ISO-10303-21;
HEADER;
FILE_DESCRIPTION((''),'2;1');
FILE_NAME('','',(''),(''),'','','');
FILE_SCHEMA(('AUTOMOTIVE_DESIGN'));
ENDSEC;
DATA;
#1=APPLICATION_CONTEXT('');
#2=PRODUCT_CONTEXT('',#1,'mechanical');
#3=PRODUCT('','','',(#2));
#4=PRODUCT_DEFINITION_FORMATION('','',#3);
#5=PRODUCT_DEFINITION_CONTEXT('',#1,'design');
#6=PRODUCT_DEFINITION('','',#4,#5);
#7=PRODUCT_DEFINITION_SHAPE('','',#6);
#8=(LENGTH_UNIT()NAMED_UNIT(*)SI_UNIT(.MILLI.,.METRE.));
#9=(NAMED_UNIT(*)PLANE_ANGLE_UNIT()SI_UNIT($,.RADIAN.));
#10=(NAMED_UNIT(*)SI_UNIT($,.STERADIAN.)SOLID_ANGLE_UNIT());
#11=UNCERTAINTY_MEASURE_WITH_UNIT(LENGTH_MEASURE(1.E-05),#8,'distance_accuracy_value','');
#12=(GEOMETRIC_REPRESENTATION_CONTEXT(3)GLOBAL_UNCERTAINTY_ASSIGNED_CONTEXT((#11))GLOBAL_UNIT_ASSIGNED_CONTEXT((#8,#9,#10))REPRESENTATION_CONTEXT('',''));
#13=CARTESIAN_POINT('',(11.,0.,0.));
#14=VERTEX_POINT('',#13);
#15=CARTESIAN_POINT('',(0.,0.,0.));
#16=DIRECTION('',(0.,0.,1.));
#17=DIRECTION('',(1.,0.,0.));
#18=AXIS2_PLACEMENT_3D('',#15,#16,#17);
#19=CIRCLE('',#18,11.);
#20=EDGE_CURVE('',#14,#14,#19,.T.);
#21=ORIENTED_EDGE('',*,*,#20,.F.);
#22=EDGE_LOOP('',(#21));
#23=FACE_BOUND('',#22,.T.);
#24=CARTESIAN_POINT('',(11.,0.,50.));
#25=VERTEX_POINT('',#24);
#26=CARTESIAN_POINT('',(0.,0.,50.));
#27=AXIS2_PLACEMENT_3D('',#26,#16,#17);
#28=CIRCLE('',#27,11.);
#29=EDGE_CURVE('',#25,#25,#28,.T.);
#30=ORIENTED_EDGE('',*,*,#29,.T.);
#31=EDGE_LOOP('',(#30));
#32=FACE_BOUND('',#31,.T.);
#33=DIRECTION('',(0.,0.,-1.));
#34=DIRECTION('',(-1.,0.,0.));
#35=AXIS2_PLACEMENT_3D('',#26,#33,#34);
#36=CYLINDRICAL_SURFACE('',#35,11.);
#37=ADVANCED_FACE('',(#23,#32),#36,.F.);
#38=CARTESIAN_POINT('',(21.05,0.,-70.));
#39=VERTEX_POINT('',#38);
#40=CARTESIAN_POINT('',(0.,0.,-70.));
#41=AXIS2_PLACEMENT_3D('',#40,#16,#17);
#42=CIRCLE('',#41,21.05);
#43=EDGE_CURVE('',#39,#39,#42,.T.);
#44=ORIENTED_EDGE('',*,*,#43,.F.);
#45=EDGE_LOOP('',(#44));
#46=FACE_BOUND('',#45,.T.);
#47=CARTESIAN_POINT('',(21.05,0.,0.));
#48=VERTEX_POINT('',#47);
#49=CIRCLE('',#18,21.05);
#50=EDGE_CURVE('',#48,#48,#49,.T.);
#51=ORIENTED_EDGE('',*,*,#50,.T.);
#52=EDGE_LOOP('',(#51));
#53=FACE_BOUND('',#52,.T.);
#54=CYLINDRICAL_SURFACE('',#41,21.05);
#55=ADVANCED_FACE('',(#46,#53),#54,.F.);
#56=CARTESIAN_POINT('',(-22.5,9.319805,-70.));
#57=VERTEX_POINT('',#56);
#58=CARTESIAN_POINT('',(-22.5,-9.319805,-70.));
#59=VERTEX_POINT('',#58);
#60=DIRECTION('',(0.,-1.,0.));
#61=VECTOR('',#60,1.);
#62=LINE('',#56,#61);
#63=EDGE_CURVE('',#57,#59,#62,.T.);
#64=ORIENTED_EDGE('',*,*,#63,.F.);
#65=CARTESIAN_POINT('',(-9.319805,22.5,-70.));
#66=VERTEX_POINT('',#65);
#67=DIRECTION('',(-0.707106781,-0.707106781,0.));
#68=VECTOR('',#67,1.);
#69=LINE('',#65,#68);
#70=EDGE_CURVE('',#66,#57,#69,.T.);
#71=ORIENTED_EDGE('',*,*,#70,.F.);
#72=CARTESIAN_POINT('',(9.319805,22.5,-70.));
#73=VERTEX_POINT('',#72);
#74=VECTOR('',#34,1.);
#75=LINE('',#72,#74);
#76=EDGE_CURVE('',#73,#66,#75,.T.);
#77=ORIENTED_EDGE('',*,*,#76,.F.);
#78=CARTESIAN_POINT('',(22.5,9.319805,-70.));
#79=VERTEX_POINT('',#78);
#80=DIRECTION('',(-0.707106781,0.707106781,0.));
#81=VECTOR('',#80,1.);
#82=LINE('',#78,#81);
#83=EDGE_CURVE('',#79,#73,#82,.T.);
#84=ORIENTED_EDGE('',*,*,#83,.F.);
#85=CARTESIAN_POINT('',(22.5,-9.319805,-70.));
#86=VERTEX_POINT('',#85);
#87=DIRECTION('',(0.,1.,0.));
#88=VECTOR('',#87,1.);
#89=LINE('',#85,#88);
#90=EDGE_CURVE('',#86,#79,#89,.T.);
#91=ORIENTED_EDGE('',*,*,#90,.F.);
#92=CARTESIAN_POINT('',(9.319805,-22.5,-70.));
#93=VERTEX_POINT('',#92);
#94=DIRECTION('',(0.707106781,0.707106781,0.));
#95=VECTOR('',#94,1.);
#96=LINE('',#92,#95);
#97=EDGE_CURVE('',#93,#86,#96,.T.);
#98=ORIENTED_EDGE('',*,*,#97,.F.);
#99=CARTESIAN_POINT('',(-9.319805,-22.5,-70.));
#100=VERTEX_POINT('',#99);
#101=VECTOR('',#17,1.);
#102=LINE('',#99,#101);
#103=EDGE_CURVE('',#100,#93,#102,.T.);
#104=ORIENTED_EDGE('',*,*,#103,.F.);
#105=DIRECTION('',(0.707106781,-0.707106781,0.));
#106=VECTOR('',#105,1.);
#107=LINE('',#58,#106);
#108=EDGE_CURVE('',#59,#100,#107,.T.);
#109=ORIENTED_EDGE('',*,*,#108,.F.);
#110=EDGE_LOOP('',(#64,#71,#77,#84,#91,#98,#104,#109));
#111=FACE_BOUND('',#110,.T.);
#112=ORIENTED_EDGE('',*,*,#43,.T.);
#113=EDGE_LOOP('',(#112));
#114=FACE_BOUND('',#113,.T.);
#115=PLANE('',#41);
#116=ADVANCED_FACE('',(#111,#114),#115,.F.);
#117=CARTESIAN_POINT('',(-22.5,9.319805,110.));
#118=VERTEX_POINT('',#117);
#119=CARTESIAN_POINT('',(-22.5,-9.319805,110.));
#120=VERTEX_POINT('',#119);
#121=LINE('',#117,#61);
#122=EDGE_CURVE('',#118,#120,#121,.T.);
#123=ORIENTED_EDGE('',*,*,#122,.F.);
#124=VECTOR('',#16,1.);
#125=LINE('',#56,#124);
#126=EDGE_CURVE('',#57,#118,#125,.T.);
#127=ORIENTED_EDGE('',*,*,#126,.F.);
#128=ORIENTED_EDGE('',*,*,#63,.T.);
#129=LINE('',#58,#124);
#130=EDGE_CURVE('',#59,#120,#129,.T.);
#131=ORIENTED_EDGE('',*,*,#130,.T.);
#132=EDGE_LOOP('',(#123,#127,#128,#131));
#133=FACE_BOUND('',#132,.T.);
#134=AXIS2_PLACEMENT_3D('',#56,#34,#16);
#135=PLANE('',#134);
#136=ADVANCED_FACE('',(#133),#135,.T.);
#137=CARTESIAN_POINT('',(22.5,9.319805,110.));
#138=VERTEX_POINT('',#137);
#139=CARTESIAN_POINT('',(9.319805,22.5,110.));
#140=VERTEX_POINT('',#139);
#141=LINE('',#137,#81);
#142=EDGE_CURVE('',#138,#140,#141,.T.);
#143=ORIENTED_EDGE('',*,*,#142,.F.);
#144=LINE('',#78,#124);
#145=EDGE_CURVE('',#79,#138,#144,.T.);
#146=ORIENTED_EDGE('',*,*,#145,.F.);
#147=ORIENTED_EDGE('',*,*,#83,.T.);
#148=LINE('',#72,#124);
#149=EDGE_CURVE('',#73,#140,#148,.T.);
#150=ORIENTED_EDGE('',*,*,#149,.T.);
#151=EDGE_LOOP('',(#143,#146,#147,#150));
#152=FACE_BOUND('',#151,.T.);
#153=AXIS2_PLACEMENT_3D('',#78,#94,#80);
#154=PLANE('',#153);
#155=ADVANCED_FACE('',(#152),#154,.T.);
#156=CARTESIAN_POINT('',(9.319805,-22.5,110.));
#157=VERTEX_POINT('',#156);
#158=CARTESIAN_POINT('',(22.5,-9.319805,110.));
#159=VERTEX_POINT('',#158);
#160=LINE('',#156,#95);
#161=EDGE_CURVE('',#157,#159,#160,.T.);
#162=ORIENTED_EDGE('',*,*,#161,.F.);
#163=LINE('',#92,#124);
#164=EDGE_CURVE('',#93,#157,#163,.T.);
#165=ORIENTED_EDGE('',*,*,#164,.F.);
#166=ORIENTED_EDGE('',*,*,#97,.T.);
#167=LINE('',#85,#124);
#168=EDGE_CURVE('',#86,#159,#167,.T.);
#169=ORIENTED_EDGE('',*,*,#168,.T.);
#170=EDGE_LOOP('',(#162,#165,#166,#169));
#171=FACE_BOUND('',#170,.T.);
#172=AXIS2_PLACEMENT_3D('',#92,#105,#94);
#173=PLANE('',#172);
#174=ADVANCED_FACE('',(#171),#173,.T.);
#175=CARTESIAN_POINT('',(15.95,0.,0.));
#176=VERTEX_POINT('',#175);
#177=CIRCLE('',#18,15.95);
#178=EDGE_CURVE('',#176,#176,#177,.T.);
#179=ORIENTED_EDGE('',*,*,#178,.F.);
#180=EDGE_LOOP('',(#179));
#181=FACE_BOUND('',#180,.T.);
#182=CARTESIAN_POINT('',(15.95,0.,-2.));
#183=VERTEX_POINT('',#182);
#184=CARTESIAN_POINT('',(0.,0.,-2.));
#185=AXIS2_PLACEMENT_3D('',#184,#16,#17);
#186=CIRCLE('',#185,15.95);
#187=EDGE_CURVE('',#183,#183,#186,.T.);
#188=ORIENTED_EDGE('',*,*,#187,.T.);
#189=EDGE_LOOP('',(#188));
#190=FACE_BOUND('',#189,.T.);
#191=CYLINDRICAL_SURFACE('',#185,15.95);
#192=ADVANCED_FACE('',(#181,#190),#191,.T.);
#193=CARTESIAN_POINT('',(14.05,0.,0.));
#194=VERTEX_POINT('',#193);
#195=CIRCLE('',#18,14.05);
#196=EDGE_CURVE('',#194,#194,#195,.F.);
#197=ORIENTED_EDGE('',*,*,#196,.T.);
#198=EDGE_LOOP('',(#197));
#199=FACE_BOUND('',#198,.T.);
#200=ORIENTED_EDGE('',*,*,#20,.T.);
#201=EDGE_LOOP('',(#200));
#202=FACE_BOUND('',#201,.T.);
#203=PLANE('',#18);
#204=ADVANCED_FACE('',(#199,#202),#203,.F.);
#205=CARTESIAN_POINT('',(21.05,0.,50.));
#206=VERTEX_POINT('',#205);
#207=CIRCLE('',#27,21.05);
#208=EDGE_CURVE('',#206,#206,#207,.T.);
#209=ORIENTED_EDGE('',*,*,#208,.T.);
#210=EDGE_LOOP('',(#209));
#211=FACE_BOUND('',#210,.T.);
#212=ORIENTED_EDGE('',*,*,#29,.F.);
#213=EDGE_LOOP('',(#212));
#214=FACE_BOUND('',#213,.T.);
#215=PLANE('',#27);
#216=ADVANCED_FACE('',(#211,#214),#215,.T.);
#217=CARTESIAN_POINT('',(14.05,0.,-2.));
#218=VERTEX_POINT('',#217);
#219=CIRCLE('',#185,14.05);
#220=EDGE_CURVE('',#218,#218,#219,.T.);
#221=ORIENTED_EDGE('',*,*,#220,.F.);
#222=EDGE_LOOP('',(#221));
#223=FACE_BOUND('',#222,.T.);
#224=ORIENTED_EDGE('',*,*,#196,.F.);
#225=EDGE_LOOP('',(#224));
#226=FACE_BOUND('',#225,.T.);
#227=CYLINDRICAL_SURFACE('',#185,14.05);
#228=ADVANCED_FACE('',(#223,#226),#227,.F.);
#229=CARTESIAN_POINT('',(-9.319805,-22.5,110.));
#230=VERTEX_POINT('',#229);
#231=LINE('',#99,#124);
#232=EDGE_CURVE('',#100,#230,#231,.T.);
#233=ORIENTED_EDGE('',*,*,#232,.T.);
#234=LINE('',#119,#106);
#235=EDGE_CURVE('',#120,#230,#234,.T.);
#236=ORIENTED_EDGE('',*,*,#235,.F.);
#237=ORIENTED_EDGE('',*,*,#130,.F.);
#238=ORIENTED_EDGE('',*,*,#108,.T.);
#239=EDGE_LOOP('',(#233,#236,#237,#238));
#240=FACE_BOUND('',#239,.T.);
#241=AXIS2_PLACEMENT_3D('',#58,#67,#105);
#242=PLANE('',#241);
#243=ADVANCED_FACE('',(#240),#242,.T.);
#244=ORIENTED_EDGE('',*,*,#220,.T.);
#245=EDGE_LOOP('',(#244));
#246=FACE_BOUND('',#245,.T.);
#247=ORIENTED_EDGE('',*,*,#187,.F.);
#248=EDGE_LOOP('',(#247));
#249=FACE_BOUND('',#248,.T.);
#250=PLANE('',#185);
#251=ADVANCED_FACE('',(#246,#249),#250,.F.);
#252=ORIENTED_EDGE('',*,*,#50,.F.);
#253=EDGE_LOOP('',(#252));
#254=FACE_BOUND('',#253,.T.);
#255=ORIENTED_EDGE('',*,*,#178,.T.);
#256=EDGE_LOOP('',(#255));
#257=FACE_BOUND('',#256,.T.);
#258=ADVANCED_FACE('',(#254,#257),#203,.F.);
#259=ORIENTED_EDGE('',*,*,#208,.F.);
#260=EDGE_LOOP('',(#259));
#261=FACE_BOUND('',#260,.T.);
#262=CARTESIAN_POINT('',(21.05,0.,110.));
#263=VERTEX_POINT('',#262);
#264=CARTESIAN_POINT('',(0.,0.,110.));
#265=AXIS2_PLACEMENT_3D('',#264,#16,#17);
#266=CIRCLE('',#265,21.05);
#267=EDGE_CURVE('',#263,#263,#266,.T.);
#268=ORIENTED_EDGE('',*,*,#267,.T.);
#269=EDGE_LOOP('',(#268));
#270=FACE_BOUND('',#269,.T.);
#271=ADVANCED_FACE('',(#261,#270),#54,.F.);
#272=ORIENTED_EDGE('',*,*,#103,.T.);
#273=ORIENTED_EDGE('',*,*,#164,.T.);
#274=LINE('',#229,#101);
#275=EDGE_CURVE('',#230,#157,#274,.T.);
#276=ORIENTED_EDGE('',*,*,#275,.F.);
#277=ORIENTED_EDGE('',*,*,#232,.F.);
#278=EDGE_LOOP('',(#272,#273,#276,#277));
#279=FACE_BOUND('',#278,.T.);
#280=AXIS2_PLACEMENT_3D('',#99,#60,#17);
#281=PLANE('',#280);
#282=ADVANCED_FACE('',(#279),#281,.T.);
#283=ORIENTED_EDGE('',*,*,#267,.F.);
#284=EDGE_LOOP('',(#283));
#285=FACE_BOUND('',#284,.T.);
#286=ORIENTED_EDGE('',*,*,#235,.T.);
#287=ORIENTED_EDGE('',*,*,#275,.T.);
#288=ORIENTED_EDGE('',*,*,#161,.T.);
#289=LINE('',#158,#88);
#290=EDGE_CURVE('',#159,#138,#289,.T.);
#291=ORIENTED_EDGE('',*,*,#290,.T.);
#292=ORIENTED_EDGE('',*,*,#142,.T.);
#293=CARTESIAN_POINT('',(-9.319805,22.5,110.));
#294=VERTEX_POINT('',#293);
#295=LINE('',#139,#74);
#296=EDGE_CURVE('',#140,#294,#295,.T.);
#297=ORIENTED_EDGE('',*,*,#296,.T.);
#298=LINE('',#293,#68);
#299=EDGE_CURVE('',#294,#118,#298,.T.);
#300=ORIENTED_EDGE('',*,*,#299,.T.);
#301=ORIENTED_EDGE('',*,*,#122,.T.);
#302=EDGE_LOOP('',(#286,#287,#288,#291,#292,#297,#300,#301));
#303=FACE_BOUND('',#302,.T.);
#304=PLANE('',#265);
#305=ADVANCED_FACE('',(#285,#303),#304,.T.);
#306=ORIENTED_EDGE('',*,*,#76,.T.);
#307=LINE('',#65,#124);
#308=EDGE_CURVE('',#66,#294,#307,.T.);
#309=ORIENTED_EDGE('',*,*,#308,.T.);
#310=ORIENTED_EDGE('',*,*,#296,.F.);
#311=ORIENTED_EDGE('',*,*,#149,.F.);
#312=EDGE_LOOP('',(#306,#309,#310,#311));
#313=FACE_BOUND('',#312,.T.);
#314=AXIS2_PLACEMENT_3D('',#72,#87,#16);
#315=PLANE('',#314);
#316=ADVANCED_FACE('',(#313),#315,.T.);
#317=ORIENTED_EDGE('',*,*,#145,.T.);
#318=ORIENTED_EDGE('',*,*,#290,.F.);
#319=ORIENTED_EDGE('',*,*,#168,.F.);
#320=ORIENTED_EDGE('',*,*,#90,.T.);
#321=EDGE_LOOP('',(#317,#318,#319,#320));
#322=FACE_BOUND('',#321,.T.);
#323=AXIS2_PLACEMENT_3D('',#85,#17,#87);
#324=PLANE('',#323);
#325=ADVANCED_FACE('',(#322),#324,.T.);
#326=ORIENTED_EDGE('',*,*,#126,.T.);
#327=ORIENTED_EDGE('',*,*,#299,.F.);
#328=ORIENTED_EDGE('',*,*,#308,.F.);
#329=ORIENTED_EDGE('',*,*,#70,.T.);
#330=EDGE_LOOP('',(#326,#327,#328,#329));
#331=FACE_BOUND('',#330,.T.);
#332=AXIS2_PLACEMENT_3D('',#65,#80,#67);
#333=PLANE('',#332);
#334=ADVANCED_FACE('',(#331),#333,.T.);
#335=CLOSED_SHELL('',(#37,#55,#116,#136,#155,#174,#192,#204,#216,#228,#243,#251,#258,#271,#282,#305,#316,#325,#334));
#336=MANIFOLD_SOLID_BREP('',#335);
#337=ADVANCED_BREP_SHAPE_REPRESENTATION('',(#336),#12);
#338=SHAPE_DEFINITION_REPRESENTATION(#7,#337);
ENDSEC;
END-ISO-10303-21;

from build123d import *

# Parameters (mm, degrees)
SKETCH_1_R      = 15.95
SKETCH_1_R_2    = 14.05
EXTRUDE_1_DEPTH = 2
SKETCH_2_R      = 22.5
SKETCH_2_R_2    = 11
EXTRUDE_2_DEPTH = 50
SKETCH_3_R      = 21.05
EXTRUDE_3_DEPTH = 70
SKETCH_5_R      = 21.05
EXTRUDE_5_DEPTH = 40


with BuildPart() as part:
    # 스케치1 → 보스-돌출1 (new body)
    with BuildSketch(Plane.XY):
        Circle(SKETCH_1_R)
        Circle(SKETCH_1_R_2, mode=Mode.SUBTRACT)
    extrude(amount=-EXTRUDE_1_DEPTH)

    # 스케치2 → 보스-돌출2 (add)
    with BuildSketch(Plane.XY):
        Circle(SKETCH_2_R)
        Circle(SKETCH_2_R_2, mode=Mode.SUBTRACT)
    extrude(amount=EXTRUDE_2_DEPTH)

    # 스케치3 → 보스-돌출3 (add, symmetric)
    with BuildSketch(Plane.XY):
        Polygon((-9.319805153, -22.5), (9.319805153, -22.5), (22.5, -9.319805153), (22.5, 9.319805153), (9.319805153, 22.5), (-9.319805153, 22.5), (-22.5, 9.319805153), (-22.5, -9.319805153), align=None)
        Circle(SKETCH_3_R, mode=Mode.SUBTRACT)
    extrude(amount=EXTRUDE_3_DEPTH, both=True)

    # 스케치5 → 보스-돌출5 (add)
    with BuildSketch(Plane.XY.offset(70)):
        Polygon((-22.5, -9.319805153), (-9.319805153, -22.5), (9.319805153, -22.5), (22.5, -9.319805153), (22.5, 9.319805153), (9.319805153, 22.5), (-9.319805153, 22.5), (-22.5, 9.319805153), align=None)
        Circle(SKETCH_5_R, mode=Mode.SUBTRACT)
    extrude(amount=EXTRUDE_5_DEPTH)


solid = part.part
